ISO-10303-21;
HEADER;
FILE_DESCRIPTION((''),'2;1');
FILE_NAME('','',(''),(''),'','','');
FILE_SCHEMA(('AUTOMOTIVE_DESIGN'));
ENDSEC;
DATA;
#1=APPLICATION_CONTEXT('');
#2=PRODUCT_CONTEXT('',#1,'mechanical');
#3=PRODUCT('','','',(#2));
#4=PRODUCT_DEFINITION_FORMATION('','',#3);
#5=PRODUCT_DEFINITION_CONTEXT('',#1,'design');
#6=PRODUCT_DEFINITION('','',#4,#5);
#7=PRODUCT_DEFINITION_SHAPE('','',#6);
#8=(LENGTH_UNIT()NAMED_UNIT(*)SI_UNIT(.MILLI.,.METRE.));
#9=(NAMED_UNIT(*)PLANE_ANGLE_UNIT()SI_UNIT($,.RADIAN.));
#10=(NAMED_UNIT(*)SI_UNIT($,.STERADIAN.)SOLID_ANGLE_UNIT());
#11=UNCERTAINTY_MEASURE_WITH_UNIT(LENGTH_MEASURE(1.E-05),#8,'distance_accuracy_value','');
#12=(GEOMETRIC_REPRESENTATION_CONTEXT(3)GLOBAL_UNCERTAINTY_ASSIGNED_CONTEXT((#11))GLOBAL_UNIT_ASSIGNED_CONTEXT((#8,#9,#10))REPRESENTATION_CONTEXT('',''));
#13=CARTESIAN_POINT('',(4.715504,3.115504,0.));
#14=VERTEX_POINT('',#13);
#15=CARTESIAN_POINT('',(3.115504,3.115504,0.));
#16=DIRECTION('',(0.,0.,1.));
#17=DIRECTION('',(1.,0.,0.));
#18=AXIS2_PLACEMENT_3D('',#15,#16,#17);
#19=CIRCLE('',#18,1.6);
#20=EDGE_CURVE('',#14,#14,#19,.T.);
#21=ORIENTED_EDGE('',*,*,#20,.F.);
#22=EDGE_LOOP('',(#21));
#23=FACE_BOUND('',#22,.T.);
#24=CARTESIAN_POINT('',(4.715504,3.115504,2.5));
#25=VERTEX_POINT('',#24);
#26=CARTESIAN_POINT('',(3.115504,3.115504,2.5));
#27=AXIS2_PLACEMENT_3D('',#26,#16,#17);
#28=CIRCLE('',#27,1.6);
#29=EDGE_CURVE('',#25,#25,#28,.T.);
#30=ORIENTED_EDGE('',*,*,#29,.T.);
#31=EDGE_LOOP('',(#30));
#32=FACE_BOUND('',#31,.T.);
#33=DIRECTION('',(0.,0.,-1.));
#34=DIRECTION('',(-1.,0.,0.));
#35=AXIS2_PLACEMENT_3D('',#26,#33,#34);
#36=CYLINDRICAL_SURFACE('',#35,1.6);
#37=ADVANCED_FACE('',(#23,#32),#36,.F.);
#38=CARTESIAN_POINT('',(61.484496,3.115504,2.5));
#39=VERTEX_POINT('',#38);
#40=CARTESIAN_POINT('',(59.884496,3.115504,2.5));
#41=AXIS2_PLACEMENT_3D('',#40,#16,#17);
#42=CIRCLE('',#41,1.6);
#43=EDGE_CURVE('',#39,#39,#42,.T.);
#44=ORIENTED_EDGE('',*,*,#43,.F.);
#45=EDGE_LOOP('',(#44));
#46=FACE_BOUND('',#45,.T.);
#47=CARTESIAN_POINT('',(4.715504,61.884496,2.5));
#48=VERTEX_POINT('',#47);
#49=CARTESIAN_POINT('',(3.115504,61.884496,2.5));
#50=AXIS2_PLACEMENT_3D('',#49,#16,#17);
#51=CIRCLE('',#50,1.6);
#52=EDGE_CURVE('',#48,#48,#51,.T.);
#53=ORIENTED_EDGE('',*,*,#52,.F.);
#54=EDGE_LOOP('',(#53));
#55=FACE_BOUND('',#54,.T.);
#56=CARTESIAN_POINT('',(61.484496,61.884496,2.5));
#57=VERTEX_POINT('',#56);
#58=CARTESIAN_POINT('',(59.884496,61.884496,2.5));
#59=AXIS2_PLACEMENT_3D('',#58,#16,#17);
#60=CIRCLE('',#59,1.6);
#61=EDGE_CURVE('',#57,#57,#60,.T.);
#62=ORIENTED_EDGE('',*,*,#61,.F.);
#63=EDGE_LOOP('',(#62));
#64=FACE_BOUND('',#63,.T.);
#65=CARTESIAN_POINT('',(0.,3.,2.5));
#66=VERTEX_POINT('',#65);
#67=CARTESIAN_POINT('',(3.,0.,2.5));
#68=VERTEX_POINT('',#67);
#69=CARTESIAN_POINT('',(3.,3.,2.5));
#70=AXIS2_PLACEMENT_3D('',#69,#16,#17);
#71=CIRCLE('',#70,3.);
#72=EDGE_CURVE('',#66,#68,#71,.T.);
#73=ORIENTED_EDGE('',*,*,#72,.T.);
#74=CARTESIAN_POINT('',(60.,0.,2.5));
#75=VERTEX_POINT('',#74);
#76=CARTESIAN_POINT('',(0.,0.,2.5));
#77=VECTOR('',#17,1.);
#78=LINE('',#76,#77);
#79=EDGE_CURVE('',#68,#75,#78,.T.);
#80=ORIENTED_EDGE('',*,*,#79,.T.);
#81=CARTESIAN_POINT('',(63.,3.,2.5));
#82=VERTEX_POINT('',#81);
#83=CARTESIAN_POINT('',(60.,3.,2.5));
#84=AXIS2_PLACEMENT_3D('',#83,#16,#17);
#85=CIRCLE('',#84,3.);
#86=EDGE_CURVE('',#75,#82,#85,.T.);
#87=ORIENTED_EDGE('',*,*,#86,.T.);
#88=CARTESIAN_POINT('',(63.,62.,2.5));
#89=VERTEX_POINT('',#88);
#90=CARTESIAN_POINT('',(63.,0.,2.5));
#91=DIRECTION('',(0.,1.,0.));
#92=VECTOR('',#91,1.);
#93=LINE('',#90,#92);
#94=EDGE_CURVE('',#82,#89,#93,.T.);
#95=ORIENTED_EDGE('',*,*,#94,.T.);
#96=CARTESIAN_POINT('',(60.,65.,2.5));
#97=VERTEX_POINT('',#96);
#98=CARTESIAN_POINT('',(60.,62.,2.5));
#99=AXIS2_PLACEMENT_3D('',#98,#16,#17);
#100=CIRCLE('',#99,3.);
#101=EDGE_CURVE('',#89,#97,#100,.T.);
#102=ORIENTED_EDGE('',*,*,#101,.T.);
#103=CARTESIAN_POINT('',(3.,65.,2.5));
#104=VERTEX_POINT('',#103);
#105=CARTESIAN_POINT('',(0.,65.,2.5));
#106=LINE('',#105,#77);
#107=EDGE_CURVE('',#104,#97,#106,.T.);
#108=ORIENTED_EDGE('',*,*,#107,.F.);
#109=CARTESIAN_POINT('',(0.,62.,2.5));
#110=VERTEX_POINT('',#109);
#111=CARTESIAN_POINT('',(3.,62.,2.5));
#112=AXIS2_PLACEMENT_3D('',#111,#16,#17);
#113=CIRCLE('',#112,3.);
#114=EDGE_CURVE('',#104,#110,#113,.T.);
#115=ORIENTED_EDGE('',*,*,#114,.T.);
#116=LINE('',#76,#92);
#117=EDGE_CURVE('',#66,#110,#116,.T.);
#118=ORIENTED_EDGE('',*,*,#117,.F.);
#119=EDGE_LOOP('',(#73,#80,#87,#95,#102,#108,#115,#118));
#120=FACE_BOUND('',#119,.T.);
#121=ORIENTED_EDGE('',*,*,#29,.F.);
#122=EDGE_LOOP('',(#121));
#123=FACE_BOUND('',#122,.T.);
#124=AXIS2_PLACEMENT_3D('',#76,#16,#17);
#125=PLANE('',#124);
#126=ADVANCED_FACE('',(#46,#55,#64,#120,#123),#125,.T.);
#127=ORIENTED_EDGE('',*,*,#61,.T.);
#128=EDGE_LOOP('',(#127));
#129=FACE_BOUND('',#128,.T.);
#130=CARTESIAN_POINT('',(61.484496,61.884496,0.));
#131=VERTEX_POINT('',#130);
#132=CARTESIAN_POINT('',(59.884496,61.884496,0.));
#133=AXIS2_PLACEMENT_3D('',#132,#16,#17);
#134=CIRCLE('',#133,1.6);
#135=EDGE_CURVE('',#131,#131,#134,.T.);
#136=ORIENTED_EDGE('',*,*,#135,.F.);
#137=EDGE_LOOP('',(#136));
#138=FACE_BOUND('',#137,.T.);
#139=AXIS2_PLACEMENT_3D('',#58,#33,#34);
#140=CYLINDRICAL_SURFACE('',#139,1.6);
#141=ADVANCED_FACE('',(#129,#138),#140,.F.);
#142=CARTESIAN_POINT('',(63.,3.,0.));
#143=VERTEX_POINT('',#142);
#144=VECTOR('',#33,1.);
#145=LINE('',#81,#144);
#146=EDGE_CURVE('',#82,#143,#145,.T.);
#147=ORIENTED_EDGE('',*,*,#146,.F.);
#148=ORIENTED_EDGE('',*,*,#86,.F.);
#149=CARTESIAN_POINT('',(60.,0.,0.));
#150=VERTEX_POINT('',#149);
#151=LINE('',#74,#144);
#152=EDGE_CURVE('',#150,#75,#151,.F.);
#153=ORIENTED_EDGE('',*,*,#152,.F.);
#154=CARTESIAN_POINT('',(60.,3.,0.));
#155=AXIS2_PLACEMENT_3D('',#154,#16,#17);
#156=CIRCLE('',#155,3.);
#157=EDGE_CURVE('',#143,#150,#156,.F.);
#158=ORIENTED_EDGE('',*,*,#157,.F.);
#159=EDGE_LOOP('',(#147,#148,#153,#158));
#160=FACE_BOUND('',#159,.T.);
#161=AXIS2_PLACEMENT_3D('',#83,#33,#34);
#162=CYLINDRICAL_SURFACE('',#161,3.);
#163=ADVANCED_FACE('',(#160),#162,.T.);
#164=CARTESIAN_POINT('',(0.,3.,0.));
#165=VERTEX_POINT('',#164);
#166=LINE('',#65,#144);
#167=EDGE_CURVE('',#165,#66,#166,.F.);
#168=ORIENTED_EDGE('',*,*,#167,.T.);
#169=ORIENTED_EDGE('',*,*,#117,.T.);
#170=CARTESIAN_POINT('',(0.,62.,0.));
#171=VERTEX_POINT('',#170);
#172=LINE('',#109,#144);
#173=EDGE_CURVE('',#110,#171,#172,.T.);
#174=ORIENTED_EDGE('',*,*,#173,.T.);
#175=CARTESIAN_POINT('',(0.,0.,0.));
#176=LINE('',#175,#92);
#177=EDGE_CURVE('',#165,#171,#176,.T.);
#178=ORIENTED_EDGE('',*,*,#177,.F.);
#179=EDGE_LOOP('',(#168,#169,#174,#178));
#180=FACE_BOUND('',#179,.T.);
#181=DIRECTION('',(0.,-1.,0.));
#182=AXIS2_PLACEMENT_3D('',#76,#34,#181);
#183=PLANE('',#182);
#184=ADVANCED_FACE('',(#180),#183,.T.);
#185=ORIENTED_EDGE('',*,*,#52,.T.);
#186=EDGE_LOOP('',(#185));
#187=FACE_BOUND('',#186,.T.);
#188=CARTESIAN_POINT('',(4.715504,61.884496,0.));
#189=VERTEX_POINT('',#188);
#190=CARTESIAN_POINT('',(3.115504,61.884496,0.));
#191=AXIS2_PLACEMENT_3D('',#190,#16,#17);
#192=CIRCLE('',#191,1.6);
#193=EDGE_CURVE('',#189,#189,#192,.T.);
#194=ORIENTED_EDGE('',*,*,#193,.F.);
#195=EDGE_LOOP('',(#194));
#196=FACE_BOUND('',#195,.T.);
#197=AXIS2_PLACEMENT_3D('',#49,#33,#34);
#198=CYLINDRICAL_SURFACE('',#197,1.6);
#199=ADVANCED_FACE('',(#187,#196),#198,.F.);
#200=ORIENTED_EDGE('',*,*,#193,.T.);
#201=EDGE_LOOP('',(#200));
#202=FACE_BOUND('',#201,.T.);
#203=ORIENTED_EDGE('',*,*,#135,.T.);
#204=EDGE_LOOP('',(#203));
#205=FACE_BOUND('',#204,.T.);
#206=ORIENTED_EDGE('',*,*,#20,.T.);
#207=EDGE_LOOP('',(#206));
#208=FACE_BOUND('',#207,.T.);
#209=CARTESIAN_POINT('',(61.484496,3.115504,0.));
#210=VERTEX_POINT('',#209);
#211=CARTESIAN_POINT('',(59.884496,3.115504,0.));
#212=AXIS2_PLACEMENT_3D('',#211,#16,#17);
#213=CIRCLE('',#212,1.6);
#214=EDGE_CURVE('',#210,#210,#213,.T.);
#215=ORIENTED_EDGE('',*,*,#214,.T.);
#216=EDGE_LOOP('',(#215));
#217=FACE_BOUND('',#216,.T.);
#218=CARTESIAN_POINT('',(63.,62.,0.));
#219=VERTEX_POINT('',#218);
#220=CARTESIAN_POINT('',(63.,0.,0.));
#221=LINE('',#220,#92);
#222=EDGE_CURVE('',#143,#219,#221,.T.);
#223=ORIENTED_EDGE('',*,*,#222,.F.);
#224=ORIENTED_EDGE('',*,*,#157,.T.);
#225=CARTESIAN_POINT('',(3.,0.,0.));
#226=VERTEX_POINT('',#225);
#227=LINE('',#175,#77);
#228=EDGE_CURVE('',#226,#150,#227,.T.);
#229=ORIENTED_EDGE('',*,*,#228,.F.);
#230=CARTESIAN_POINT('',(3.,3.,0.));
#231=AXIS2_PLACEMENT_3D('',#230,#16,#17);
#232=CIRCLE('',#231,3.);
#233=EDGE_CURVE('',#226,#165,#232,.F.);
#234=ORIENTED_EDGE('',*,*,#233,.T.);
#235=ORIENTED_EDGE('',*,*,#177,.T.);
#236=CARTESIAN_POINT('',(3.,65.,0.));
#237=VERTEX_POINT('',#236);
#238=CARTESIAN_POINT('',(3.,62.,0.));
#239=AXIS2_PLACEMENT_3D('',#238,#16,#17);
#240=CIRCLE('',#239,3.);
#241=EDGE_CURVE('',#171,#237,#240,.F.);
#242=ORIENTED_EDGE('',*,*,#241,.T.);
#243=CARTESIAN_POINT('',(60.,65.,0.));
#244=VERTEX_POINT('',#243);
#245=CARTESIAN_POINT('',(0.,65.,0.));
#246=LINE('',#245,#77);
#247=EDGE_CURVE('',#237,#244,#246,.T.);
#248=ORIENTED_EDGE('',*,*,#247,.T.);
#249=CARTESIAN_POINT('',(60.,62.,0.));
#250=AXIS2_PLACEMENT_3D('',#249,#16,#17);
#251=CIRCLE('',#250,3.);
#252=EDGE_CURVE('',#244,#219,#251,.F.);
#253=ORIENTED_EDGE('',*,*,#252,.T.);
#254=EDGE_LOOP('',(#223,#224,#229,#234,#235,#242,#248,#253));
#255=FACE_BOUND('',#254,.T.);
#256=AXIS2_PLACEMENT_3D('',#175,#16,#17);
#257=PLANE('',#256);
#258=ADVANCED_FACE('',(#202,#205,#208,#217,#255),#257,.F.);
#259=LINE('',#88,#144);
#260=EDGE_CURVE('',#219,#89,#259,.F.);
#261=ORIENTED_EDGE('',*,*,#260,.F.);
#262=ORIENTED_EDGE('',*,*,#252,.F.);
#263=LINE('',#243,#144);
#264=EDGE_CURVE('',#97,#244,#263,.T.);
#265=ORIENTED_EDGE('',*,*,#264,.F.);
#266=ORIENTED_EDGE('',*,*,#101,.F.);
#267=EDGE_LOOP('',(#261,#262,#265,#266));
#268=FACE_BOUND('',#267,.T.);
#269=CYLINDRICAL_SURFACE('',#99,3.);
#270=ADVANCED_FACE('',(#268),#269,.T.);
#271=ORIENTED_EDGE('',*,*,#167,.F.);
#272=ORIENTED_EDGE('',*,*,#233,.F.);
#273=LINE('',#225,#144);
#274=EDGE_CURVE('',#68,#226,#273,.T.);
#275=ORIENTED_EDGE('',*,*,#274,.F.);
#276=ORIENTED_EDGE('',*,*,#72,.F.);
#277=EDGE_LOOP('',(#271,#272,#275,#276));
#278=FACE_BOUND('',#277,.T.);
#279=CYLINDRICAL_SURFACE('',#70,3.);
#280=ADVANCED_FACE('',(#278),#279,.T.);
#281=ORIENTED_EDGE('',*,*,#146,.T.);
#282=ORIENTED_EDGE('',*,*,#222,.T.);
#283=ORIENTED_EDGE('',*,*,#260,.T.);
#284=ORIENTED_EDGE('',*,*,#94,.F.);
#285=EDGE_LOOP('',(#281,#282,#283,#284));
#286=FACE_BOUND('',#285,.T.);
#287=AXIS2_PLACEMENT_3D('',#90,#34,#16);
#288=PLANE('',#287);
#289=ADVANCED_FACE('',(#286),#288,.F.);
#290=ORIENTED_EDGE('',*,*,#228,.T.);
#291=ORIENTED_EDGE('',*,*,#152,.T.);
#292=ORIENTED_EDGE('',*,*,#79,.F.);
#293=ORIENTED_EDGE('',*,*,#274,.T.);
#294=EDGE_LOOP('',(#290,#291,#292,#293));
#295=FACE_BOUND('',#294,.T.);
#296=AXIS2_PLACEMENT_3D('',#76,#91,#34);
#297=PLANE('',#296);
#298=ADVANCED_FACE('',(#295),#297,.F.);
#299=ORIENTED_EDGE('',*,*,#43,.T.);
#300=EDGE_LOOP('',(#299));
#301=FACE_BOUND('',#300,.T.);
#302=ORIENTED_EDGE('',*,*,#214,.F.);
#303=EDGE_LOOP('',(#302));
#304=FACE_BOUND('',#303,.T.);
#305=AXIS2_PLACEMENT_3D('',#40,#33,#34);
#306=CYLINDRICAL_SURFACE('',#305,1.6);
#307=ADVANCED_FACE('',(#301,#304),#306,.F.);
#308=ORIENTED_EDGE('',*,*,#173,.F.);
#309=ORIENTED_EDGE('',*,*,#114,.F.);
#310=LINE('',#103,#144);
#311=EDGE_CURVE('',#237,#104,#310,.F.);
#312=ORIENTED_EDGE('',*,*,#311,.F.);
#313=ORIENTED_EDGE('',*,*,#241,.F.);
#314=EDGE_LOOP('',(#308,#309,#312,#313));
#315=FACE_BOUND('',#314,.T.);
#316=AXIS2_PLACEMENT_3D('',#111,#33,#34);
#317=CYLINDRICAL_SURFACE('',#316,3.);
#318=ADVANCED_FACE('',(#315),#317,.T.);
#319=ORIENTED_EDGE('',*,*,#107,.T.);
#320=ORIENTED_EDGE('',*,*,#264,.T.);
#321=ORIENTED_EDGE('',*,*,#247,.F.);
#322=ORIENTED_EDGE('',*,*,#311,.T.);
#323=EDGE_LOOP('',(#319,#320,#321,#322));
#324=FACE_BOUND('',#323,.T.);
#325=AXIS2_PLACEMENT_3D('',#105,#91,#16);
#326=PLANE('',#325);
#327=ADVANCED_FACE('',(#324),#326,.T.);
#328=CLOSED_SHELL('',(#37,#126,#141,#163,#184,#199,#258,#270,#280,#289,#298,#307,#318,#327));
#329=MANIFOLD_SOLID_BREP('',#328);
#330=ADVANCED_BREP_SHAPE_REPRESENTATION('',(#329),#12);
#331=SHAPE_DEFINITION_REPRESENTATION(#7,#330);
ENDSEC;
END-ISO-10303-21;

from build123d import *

# Parameters (mm, degrees)
SKETCH1_W           = 63
SKETCH1_H           = 65
BOSS_EXTRUDE3_DEPTH = 2.5
FILLET1_R           = 3
SKETCH2_R           = 1.6
CUT_EXTRUDE13_DEPTH = 2.5


with BuildPart() as part:
    # Sketch1 → Boss-Extrude3 (new body)
    with BuildSketch(Plane.XY):
        with Locations((31.5, 32.5)):
            Rectangle(SKETCH1_W, SKETCH1_H)
    extrude(amount=BOSS_EXTRUDE3_DEPTH)

    # Fillet1
    fillet1_edges = [part.edges().sort_by_distance(p)[0] for p in [
        (0, 0, 1.25),
        (0, 65, 1.25),
        (63, 65, 1.25),
        (63, 0, 1.25),
    ]]
    fillet(fillet1_edges, radius=FILLET1_R)

    # Sketch2 → Cut-Extrude13 (cut)
    with BuildSketch(Plane.XY):
        with Locations((3.115503651, 61.884496349)):
            Circle(SKETCH2_R)
        with Locations((3.115503651, 3.115503651)):
            Circle(SKETCH2_R)
        with Locations((59.884496349, 3.115503651)):
            Circle(SKETCH2_R)
        with Locations((59.884496349, 61.884496349)):
            Circle(SKETCH2_R)
    extrude(amount=CUT_EXTRUDE13_DEPTH, mode=Mode.SUBTRACT)


solid = part.part
